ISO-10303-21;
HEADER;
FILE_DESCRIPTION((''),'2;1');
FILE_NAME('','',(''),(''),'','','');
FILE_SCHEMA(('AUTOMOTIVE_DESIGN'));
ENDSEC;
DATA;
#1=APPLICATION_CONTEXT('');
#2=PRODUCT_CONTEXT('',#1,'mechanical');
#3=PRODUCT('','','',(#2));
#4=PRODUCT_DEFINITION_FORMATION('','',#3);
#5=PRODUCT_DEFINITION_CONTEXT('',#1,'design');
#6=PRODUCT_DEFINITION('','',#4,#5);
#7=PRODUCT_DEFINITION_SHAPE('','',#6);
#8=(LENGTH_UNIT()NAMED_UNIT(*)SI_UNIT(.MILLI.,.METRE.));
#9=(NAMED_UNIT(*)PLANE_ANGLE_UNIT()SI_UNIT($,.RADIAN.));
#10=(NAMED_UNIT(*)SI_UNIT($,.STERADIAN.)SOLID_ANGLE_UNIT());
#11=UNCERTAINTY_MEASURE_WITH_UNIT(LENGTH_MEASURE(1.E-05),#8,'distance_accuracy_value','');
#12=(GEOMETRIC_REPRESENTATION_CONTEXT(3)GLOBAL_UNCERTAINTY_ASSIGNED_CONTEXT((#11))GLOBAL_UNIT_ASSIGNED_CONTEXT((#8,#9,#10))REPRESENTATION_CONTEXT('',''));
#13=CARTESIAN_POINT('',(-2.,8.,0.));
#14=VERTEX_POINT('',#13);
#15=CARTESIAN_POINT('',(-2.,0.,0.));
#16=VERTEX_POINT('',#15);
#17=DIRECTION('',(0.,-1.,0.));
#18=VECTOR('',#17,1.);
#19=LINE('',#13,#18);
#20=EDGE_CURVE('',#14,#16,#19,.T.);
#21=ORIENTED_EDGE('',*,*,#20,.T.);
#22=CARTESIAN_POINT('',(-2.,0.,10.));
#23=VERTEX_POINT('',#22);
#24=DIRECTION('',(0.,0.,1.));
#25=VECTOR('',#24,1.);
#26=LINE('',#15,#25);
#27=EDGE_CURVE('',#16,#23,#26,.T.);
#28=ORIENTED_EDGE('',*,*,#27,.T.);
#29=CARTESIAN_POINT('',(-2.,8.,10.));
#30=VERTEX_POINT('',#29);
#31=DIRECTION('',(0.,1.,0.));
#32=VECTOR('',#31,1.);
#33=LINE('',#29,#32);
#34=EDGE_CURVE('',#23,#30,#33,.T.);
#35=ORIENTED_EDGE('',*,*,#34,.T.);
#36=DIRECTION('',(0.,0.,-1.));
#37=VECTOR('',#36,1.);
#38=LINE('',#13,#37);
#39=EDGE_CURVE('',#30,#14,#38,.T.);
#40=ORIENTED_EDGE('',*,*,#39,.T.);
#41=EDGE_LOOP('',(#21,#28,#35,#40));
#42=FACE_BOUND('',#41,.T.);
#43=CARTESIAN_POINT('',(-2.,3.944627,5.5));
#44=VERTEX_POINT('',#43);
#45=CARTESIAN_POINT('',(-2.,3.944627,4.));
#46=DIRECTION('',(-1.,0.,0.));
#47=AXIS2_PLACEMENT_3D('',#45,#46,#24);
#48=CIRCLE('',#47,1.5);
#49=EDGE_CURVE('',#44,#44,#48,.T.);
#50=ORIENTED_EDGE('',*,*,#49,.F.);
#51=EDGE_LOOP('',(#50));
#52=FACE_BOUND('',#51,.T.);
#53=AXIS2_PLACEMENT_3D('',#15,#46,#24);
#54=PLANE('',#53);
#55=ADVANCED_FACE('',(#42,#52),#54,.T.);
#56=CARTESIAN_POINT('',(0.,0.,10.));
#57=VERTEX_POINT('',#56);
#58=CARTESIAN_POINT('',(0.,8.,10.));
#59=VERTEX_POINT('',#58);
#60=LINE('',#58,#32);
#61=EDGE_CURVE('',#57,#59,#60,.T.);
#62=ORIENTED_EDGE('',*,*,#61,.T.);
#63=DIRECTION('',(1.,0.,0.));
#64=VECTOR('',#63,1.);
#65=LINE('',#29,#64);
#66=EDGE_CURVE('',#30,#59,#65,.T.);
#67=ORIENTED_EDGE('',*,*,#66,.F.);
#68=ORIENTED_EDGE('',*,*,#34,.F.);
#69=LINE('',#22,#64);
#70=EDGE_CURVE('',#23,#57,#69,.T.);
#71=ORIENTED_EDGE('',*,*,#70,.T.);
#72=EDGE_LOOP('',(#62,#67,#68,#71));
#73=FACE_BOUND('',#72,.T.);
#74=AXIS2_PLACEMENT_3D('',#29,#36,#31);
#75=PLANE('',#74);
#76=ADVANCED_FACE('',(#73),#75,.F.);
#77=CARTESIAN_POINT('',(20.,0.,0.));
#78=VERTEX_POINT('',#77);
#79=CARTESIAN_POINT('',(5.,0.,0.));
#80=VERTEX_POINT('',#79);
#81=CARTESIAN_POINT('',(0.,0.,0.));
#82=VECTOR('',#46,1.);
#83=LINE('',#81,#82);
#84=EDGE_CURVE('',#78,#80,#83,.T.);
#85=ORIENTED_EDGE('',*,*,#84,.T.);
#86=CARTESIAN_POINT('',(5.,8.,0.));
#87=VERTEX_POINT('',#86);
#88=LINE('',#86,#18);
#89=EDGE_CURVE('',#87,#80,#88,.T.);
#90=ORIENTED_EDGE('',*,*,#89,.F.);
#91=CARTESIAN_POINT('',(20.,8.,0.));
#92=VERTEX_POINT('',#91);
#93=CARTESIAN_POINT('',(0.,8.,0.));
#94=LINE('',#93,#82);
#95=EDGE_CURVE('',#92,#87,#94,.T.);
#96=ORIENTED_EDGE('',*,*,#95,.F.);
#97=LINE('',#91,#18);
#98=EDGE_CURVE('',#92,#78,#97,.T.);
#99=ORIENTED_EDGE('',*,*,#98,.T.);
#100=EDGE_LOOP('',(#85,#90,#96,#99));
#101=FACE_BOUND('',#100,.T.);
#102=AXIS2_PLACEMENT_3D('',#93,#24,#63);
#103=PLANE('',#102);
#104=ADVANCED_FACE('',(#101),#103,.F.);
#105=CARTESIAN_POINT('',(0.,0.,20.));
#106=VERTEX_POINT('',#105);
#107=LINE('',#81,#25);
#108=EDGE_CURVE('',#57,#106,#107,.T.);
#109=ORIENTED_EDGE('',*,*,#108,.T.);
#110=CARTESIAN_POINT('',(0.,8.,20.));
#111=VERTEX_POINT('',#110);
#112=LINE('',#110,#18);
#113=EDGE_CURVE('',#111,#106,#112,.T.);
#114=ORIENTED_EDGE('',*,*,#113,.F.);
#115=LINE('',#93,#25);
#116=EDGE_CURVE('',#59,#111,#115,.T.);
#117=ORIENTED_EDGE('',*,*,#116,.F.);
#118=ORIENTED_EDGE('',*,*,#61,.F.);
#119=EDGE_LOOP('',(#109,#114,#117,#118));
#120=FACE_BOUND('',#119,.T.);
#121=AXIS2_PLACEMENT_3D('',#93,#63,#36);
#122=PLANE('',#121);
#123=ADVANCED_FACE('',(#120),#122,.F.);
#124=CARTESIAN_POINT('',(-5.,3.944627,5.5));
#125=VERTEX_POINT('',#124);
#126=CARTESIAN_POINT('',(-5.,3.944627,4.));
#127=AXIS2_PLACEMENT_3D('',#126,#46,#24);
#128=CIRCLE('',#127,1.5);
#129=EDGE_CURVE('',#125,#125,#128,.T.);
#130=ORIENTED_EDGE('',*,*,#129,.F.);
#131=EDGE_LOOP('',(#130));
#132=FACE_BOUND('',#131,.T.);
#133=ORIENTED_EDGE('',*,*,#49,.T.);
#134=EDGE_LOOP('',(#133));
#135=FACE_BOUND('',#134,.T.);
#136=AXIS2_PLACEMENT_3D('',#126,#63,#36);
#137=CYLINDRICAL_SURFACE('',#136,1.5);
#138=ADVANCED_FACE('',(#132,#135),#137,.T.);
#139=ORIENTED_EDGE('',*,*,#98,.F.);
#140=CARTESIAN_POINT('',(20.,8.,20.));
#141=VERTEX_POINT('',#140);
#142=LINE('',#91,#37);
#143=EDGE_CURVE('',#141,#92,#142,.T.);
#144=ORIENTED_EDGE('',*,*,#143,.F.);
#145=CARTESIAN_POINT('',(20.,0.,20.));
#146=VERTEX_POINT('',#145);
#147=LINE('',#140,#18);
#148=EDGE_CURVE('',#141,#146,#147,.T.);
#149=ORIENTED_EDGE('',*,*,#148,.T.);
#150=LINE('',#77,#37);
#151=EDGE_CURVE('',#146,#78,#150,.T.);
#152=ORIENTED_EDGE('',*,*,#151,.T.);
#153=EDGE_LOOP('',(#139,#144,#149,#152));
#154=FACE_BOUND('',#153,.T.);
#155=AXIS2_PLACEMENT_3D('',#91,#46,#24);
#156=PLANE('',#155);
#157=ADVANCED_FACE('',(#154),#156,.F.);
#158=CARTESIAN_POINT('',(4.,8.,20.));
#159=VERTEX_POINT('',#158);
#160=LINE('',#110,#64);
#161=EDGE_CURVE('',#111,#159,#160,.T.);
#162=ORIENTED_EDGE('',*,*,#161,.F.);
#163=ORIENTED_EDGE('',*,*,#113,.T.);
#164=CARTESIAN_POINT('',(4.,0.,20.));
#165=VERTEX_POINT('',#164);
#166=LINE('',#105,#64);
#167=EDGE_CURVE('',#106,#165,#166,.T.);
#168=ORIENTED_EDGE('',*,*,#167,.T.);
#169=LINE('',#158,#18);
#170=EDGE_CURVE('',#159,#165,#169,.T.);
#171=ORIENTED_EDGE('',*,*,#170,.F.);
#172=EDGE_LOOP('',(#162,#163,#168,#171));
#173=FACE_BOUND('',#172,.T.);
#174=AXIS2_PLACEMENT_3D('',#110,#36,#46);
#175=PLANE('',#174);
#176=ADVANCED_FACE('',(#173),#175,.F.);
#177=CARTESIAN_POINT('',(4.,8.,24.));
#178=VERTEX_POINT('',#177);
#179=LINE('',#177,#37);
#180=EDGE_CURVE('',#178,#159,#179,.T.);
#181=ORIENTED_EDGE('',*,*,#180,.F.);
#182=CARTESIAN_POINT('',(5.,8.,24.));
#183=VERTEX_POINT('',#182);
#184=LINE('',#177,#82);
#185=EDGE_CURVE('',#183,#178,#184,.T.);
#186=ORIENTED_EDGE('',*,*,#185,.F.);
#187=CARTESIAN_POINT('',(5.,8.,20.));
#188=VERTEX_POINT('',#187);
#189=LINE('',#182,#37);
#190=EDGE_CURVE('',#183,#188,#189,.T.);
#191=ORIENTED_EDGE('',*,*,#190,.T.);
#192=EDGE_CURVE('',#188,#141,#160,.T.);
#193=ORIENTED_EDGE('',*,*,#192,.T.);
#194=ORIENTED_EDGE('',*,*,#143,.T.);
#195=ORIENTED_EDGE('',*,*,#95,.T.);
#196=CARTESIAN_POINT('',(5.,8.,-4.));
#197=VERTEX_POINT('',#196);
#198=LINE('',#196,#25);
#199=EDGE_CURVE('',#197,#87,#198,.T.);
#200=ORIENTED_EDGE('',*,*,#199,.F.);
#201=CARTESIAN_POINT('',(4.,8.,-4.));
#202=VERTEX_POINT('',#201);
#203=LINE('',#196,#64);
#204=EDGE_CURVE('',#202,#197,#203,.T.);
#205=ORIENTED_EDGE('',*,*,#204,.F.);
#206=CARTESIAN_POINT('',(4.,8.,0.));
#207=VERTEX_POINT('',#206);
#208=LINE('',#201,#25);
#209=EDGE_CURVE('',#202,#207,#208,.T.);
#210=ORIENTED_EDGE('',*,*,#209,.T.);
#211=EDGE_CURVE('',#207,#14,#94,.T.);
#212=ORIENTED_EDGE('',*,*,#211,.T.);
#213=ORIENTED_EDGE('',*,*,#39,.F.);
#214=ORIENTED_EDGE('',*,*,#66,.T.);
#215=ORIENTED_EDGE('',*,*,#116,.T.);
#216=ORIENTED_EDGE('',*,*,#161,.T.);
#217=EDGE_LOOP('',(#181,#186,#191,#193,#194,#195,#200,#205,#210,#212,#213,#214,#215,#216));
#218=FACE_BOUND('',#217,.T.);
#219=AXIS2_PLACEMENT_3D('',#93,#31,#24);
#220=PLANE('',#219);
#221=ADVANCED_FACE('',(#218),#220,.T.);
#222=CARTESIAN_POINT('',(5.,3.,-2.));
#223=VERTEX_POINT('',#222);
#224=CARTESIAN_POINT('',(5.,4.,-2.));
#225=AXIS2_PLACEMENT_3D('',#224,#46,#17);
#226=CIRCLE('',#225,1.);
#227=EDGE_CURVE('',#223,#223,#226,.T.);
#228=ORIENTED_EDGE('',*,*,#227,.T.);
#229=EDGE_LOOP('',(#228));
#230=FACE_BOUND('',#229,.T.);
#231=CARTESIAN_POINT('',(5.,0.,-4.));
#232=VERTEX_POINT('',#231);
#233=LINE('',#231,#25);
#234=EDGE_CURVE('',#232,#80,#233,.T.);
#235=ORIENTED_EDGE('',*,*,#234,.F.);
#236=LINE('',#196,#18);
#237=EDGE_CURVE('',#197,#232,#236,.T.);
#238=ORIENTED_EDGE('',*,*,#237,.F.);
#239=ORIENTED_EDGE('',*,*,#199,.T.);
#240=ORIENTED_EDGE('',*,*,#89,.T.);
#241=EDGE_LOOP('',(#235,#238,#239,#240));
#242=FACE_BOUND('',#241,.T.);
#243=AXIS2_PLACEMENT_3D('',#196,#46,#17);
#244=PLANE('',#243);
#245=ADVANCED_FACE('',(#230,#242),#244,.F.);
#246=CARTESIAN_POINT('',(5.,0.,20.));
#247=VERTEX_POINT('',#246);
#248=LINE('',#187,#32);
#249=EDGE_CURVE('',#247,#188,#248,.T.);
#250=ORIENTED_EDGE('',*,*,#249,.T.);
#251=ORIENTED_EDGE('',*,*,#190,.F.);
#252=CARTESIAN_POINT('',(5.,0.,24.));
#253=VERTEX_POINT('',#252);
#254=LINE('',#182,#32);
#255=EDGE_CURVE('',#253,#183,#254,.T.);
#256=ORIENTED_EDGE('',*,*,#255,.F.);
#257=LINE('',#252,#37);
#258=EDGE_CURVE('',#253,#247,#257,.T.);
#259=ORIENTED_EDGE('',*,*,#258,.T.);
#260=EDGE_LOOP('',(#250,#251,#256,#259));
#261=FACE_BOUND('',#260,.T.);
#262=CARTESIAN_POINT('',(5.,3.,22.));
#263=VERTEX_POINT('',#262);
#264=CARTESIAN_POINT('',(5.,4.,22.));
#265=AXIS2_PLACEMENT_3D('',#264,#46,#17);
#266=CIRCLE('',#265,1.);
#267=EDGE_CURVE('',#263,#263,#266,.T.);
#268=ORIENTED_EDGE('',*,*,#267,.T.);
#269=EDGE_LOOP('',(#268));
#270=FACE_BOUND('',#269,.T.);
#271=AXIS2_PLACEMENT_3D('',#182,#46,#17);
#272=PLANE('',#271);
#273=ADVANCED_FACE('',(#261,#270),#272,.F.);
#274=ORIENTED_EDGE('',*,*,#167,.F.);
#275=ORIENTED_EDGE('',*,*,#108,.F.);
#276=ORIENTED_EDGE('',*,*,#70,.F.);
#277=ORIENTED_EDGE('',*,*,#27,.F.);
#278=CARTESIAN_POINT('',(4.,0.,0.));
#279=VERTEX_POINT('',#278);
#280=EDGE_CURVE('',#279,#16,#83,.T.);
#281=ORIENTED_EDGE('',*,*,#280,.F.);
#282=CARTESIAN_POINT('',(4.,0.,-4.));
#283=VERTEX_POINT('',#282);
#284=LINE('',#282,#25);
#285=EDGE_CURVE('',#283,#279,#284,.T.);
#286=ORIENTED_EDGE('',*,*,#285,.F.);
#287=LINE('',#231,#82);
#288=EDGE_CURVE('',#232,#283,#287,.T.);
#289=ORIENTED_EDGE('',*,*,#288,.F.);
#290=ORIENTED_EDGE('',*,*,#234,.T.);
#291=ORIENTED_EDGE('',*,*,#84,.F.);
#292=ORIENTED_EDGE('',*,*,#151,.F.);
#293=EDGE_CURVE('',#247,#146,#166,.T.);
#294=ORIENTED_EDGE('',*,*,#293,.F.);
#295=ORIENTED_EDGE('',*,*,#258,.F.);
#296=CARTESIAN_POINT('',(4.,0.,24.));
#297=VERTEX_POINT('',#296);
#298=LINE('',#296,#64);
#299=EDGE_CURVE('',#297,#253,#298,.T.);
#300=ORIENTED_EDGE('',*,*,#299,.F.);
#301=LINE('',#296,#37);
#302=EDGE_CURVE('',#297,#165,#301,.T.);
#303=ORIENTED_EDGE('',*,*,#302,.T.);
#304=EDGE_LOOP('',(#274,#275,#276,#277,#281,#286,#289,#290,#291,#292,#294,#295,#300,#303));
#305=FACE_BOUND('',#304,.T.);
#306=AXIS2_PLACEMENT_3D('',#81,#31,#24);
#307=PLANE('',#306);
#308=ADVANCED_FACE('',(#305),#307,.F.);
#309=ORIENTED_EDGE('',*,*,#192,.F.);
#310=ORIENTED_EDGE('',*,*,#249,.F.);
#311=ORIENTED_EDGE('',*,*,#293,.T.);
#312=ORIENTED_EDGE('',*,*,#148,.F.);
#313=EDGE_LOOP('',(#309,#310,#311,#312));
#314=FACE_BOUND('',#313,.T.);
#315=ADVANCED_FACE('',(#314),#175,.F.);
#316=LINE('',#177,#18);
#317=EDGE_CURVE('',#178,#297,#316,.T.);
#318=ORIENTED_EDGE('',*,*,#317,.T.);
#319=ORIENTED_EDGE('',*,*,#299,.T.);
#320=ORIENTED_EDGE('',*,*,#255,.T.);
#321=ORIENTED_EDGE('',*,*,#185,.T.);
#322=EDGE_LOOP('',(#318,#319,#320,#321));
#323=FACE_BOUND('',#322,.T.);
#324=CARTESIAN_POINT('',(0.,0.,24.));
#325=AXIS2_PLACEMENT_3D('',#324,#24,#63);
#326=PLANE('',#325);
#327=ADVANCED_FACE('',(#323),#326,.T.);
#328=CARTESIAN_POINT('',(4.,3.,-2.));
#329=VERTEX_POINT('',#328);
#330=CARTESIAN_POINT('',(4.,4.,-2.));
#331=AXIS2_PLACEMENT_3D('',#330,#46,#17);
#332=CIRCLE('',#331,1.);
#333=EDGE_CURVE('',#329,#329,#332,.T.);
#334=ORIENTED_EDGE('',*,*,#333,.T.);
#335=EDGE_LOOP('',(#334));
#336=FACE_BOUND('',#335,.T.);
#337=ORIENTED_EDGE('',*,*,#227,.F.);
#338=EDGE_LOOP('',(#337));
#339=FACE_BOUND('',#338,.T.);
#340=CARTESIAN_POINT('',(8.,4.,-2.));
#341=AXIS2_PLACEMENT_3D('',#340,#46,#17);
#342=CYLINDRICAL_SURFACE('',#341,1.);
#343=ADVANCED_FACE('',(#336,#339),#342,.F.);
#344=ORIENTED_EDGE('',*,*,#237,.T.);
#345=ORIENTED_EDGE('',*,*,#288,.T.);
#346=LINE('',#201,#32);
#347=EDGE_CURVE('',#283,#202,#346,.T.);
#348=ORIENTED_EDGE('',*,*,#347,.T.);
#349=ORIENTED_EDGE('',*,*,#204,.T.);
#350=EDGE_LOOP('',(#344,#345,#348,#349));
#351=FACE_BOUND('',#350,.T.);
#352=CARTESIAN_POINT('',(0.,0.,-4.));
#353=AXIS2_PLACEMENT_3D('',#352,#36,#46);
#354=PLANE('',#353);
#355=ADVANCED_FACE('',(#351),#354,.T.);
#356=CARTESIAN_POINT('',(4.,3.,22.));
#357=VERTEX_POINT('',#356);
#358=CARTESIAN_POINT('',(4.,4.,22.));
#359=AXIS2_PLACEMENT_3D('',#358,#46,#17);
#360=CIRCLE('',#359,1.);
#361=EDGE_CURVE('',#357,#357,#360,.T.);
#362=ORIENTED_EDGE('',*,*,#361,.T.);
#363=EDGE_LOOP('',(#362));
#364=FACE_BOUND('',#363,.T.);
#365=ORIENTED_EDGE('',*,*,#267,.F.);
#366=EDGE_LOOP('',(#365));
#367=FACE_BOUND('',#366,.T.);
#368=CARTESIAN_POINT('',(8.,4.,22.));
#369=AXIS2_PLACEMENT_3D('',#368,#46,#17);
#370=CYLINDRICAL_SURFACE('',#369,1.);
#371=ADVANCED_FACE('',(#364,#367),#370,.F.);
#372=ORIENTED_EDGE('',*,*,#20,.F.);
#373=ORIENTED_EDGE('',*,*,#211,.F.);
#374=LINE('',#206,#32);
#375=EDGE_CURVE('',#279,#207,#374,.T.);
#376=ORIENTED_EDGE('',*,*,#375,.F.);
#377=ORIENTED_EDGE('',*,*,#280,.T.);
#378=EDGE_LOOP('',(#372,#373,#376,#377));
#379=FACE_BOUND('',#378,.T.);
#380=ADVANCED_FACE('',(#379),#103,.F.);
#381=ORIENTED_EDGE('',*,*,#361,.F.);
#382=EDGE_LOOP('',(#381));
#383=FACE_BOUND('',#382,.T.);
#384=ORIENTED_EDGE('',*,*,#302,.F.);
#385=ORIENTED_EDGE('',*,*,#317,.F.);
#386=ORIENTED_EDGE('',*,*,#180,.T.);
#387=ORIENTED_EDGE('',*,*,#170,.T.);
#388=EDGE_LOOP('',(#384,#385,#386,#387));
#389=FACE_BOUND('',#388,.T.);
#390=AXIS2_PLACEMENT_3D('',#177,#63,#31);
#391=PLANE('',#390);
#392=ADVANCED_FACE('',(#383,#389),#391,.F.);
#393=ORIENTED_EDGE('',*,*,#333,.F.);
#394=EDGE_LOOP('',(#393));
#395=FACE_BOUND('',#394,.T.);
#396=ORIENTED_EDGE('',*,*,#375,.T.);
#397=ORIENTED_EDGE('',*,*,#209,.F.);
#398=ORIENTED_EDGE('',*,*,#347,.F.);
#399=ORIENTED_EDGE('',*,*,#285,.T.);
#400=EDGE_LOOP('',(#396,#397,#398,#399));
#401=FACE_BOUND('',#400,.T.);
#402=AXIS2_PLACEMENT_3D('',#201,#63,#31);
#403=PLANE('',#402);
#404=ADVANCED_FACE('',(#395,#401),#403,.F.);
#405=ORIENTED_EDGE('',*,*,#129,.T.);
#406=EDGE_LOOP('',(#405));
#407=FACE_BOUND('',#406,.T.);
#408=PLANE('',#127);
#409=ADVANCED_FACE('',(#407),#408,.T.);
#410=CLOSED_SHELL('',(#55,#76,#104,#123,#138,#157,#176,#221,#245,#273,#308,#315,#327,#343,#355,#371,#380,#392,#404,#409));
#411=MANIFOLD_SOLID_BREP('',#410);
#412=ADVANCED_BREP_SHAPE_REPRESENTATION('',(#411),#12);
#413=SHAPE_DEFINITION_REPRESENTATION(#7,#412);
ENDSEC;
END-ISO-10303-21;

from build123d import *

# Parameters (mm, degrees)
SKETCH1_W           = 20
SKETCH1_H           = 20
BOSS_EXTRUDE1_DEPTH = 8
SKETCH2_W           = 1
SKETCH2_H           = 8
BOSS_EXTRUDE2_DEPTH = 4
SKETCH3_W           = 1
SKETCH3_H           = 8
BOSS_EXTRUDE3_DEPTH = 4
SKETCH4_R           = 1
CUT_EXTRUDE1_DEPTH  = 4
SKETCH5_W           = 10
SKETCH5_H           = 8
BOSS_EXTRUDE4_DEPTH = 2
SKETCH6_R           = 1.5
BOSS_EXTRUDE5_DEPTH = 3


with BuildPart() as part:
    # Sketch1 → Boss-Extrude1 (new body)
    with BuildSketch(Plane(origin=(0, 0, 0), x_dir=(1, 0, 0), z_dir=(0, 1, 0))):
        with Locations((10, -10)):
            Rectangle(SKETCH1_W, SKETCH1_H)
    extrude(amount=BOSS_EXTRUDE1_DEPTH)

    # Sketch2 → Boss-Extrude2 (add)
    with BuildSketch(Plane(origin=(0, 0, 0), x_dir=(-1, 0, 0), z_dir=(0, 0, -1))):
        with Locations((-4.5, 4)):
            Rectangle(SKETCH2_W, SKETCH2_H)
    extrude(amount=BOSS_EXTRUDE2_DEPTH)

    # Sketch3 → Boss-Extrude3 (add)
    with BuildSketch(Plane.XY.offset(20)):
        with Locations((4.5, 4)):
            Rectangle(SKETCH3_W, SKETCH3_H)
    extrude(amount=BOSS_EXTRUDE3_DEPTH)

    # Sketch4 → Cut-Extrude1 (cut)
    with BuildSketch(Plane.ZY.offset(-4)):
        with Locations(Location((-2, 4, 0), (0, 0, 270))):
            Circle(SKETCH4_R)
        with Locations(Location((22, 4, 0), (0, 0, 270))):
            Circle(SKETCH4_R)
    extrude(amount=-CUT_EXTRUDE1_DEPTH, mode=Mode.SUBTRACT)

    # Sketch5 → Boss-Extrude4 (add)
    with BuildSketch(Plane.ZY):
        with Locations((5, 4)):
            Rectangle(SKETCH5_W, SKETCH5_H)
    extrude(amount=BOSS_EXTRUDE4_DEPTH)

    # Sketch6 → Boss-Extrude5 (add)
    with BuildSketch(Plane.ZY.offset(2)):
        with Locations((4, 3.944627207)):
            Circle(SKETCH6_R)
    extrude(amount=BOSS_EXTRUDE5_DEPTH)


solid = part.part
